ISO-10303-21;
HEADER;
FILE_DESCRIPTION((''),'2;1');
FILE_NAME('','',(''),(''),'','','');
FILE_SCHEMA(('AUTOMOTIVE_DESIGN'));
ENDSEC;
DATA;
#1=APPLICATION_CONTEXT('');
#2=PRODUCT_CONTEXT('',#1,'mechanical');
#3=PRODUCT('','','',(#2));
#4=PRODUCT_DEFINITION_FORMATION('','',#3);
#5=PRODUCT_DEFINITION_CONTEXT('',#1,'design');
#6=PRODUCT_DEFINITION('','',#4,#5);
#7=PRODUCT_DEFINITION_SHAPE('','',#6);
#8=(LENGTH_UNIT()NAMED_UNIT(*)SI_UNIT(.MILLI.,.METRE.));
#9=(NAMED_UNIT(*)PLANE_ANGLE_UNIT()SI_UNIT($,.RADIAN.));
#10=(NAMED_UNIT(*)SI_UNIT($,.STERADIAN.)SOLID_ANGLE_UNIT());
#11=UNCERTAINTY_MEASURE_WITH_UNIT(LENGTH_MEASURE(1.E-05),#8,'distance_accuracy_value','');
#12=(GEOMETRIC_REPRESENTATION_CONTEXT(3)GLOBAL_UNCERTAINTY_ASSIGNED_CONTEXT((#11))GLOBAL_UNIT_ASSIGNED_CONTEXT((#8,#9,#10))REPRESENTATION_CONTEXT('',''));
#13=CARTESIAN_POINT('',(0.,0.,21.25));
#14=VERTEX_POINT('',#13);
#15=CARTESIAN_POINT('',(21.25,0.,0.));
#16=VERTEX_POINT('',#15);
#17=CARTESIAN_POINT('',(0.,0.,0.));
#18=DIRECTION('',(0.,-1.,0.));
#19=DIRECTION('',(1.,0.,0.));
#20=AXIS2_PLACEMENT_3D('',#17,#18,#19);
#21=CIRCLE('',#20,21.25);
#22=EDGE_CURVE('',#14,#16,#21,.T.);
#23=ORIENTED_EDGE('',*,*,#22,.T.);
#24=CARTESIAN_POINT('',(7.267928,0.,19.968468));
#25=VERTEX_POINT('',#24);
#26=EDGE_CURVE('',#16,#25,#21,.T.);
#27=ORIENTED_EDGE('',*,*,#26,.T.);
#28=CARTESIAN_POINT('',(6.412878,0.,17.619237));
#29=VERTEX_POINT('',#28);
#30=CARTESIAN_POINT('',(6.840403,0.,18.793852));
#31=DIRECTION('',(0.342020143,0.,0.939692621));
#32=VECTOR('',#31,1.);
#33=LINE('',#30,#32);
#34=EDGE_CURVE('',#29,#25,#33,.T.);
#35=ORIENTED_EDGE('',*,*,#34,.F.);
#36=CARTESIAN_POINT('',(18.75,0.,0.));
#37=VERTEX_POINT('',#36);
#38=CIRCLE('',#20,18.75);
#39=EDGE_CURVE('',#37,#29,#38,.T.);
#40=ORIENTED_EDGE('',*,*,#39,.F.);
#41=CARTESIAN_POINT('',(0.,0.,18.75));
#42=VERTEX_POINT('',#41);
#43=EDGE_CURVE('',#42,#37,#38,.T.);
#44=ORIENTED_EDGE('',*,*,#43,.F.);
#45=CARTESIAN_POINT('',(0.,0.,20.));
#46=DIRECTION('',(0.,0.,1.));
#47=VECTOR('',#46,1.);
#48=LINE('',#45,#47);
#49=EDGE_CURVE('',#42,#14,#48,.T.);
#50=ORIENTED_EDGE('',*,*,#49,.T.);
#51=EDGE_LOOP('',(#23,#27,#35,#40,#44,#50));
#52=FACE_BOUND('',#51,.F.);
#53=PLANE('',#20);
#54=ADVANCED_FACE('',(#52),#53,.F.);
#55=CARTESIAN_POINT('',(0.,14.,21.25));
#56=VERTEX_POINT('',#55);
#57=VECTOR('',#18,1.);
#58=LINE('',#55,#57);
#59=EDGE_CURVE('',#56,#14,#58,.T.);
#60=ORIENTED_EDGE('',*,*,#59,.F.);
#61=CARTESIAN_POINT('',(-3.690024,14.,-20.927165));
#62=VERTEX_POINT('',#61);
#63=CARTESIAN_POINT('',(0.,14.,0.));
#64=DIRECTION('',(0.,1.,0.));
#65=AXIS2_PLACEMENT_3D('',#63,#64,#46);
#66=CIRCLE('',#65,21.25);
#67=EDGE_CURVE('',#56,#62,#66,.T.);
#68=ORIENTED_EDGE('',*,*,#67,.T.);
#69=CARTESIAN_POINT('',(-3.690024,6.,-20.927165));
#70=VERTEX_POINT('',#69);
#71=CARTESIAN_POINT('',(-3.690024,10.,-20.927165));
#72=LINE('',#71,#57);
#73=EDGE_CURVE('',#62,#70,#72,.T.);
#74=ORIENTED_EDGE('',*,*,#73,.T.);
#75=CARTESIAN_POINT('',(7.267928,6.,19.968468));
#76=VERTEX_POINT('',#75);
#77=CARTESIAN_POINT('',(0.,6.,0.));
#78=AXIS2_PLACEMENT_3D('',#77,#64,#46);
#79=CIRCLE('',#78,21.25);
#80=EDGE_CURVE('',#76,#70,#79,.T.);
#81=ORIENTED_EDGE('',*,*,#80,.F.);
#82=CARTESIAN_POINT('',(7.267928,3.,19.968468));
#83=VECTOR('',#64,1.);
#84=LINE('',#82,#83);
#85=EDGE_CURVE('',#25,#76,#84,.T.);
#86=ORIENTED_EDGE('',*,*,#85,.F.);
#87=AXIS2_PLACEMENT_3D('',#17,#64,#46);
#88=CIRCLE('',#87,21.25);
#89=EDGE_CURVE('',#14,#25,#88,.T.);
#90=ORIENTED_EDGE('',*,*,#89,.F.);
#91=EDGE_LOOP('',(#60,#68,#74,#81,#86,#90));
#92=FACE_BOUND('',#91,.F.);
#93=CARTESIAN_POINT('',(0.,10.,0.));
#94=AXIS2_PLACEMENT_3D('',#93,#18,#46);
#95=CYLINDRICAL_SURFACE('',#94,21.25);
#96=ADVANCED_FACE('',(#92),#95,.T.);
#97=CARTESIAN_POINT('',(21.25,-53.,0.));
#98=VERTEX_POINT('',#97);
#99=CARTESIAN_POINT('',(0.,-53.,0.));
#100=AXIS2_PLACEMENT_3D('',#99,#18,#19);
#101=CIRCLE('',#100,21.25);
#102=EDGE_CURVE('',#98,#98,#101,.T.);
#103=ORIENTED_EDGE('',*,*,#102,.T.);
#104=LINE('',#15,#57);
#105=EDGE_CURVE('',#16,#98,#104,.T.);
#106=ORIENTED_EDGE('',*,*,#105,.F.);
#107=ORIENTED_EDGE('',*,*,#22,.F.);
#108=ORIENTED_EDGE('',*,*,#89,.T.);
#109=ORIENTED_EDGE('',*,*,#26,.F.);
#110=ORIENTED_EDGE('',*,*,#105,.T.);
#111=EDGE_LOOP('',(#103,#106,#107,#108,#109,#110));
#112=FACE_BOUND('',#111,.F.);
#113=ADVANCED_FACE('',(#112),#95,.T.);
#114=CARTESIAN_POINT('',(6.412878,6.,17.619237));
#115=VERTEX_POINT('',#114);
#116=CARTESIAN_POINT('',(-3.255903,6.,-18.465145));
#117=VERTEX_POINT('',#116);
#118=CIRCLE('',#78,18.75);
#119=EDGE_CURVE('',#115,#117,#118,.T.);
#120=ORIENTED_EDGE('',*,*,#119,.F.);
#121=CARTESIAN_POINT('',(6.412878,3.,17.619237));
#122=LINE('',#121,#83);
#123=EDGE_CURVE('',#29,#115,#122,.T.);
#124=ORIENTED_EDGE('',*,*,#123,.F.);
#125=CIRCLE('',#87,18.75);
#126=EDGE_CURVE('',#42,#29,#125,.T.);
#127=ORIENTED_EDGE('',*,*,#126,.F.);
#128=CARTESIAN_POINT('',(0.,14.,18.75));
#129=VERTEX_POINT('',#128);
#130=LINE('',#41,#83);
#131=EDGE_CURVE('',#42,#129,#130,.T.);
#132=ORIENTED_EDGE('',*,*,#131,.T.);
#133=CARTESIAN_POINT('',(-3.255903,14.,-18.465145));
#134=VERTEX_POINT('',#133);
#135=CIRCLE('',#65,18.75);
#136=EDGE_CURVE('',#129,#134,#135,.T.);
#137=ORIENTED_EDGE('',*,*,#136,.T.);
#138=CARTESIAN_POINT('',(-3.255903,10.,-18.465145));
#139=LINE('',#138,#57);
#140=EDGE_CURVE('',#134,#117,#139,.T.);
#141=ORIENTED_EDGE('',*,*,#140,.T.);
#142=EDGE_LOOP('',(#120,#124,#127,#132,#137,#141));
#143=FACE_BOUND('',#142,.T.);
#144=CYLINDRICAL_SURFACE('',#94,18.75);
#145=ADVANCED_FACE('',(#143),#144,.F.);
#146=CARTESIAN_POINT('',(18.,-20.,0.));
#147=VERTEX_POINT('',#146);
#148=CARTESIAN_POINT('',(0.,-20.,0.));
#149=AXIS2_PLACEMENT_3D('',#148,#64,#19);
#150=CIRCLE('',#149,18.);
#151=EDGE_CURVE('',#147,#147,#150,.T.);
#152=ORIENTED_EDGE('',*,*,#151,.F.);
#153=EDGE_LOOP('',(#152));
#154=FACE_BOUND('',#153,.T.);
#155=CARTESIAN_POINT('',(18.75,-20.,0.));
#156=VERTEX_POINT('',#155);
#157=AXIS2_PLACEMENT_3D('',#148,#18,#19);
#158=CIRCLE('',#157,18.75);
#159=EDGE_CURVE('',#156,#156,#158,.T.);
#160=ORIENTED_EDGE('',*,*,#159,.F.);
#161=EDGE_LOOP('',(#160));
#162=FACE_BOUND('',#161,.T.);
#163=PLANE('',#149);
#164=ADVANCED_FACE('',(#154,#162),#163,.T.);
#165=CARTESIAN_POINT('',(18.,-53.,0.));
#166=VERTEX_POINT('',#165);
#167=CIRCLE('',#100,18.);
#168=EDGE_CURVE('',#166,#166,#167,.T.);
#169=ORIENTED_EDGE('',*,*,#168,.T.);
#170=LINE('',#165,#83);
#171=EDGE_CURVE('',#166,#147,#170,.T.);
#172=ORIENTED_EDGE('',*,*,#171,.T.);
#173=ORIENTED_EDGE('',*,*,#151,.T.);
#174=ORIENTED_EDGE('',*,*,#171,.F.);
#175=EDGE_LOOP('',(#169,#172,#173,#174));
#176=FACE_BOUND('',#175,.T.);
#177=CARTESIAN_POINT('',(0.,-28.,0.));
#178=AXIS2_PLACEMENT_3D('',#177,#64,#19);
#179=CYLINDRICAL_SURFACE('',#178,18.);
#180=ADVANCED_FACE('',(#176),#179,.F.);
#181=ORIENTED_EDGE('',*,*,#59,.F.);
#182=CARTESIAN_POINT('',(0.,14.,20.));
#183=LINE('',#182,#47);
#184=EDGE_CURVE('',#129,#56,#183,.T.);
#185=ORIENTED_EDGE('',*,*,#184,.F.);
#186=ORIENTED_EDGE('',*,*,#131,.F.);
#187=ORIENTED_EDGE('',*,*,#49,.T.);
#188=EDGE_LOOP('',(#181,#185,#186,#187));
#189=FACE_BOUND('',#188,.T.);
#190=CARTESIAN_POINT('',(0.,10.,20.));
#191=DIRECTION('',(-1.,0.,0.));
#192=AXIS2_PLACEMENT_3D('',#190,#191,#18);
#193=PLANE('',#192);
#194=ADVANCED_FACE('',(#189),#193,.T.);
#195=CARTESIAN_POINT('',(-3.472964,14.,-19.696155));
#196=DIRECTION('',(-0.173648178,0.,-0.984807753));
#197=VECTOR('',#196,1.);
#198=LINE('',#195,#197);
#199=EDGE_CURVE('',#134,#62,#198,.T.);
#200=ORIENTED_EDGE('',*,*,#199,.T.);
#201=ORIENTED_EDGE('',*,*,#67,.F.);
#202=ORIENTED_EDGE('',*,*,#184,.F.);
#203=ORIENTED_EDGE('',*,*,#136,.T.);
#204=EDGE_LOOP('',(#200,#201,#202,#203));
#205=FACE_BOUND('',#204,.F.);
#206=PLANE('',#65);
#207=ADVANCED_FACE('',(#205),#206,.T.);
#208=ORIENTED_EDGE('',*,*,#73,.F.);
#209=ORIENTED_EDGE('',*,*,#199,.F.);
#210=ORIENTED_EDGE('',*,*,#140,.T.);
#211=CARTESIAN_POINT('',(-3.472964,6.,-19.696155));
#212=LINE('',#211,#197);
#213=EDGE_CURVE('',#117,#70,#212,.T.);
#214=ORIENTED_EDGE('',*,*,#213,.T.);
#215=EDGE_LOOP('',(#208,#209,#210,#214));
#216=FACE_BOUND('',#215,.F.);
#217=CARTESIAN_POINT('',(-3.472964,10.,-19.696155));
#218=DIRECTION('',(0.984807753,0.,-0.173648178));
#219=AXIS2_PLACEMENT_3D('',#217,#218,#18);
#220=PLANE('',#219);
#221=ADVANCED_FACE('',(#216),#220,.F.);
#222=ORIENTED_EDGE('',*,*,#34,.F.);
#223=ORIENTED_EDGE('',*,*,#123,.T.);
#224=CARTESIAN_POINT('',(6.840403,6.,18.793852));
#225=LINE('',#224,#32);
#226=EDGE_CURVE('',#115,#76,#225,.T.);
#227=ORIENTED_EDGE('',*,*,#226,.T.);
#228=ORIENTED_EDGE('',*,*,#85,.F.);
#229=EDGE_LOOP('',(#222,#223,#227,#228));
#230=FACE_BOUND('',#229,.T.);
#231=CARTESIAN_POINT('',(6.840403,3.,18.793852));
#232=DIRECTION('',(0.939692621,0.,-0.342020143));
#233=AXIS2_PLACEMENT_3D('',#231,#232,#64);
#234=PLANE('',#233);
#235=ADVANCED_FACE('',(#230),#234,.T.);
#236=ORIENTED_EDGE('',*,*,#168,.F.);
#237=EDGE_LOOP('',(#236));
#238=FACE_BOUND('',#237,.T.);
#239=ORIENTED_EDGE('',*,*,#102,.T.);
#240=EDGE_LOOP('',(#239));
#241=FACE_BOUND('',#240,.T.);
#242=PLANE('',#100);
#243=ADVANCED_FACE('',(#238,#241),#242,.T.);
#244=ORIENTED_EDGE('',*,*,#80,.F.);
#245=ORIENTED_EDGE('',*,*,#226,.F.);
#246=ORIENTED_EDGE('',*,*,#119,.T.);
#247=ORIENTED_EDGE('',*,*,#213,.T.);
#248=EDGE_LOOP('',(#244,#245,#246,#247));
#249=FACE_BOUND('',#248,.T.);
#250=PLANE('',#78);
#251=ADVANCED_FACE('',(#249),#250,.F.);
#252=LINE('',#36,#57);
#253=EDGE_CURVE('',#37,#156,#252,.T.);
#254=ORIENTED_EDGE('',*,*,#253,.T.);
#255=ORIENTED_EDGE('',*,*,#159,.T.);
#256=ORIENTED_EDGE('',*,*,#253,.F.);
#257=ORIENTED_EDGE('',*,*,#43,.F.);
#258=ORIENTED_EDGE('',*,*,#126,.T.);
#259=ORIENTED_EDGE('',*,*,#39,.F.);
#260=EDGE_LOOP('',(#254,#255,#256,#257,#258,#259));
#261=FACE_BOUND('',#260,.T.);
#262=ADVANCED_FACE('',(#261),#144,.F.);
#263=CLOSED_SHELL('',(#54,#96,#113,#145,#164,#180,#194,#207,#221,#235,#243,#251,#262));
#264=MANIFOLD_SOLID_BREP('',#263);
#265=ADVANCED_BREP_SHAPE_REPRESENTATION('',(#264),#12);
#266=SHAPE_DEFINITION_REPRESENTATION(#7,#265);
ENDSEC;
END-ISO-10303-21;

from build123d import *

# Parameters (mm, degrees)
F0_R        = 21.25
F0_R_2      = 18.75
F1_DEPTH    = 20
F3_R        = 21.25
F3_R_2      = 18
F4_DEPTH    = 25
F4_FACE_R   = 21.25
F4_FACE_R_2 = 18
F5_DEPTH    = 8
F7_W        = 6
F7_H        = 2.5
F8_ANGLE    = 20
F9_W        = 8
F9_H        = 2.5
F10_ANGLE   = 190


with BuildPart() as f1:
    # F0 (on Front) → F1 (new body)
    with BuildSketch(Plane.XZ):
        Circle(F0_R)
        Circle(F0_R_2, mode=Mode.SUBTRACT)
    extrude(amount=F1_DEPTH)


with BuildPart() as f4:
    # F3 (on offset) → F4 (new body)
    with BuildSketch(Plane.XZ.offset(28)):
        Circle(F3_R)
        Circle(F3_R_2, mode=Mode.SUBTRACT)
    extrude(amount=F4_DEPTH)


with BuildPart() as f5:
    # F4_face (on face) → F5 (new body, through all)
    with BuildSketch(Plane(origin=(0, -28, 0), x_dir=(1, 0, 0), z_dir=(0, 1, 0))):
        Circle(F4_FACE_R)
        Circle(F4_FACE_R_2, mode=Mode.SUBTRACT)
    extrude(amount=F5_DEPTH)


with BuildPart() as f1_1:
    add(f1.part)

    # F6: union F4, F5
    add(f4.part)
    add(f5.part)

    # F7 (on Right) → F8 (revolve)
    with BuildSketch(Plane.YZ):
        with Locations((3, 20)):
            Rectangle(F7_W, F7_H)
    revolve(axis=Axis((0, 6.62554, 0), (0, 1, 0)), revolution_arc=F8_ANGLE)

    # F9 (on face) → F10 (revolve)
    with BuildSketch(Plane(origin=(0, 0, 0), x_dir=(0, -1, 0), z_dir=(-1, 0, 0))):
        with Locations((-10, 20)):
            Rectangle(F9_W, F9_H)
    revolve(axis=Axis((0, 8.909439, 0), (0, 1, 0)), revolution_arc=F10_ANGLE)


solid = f1_1.part
